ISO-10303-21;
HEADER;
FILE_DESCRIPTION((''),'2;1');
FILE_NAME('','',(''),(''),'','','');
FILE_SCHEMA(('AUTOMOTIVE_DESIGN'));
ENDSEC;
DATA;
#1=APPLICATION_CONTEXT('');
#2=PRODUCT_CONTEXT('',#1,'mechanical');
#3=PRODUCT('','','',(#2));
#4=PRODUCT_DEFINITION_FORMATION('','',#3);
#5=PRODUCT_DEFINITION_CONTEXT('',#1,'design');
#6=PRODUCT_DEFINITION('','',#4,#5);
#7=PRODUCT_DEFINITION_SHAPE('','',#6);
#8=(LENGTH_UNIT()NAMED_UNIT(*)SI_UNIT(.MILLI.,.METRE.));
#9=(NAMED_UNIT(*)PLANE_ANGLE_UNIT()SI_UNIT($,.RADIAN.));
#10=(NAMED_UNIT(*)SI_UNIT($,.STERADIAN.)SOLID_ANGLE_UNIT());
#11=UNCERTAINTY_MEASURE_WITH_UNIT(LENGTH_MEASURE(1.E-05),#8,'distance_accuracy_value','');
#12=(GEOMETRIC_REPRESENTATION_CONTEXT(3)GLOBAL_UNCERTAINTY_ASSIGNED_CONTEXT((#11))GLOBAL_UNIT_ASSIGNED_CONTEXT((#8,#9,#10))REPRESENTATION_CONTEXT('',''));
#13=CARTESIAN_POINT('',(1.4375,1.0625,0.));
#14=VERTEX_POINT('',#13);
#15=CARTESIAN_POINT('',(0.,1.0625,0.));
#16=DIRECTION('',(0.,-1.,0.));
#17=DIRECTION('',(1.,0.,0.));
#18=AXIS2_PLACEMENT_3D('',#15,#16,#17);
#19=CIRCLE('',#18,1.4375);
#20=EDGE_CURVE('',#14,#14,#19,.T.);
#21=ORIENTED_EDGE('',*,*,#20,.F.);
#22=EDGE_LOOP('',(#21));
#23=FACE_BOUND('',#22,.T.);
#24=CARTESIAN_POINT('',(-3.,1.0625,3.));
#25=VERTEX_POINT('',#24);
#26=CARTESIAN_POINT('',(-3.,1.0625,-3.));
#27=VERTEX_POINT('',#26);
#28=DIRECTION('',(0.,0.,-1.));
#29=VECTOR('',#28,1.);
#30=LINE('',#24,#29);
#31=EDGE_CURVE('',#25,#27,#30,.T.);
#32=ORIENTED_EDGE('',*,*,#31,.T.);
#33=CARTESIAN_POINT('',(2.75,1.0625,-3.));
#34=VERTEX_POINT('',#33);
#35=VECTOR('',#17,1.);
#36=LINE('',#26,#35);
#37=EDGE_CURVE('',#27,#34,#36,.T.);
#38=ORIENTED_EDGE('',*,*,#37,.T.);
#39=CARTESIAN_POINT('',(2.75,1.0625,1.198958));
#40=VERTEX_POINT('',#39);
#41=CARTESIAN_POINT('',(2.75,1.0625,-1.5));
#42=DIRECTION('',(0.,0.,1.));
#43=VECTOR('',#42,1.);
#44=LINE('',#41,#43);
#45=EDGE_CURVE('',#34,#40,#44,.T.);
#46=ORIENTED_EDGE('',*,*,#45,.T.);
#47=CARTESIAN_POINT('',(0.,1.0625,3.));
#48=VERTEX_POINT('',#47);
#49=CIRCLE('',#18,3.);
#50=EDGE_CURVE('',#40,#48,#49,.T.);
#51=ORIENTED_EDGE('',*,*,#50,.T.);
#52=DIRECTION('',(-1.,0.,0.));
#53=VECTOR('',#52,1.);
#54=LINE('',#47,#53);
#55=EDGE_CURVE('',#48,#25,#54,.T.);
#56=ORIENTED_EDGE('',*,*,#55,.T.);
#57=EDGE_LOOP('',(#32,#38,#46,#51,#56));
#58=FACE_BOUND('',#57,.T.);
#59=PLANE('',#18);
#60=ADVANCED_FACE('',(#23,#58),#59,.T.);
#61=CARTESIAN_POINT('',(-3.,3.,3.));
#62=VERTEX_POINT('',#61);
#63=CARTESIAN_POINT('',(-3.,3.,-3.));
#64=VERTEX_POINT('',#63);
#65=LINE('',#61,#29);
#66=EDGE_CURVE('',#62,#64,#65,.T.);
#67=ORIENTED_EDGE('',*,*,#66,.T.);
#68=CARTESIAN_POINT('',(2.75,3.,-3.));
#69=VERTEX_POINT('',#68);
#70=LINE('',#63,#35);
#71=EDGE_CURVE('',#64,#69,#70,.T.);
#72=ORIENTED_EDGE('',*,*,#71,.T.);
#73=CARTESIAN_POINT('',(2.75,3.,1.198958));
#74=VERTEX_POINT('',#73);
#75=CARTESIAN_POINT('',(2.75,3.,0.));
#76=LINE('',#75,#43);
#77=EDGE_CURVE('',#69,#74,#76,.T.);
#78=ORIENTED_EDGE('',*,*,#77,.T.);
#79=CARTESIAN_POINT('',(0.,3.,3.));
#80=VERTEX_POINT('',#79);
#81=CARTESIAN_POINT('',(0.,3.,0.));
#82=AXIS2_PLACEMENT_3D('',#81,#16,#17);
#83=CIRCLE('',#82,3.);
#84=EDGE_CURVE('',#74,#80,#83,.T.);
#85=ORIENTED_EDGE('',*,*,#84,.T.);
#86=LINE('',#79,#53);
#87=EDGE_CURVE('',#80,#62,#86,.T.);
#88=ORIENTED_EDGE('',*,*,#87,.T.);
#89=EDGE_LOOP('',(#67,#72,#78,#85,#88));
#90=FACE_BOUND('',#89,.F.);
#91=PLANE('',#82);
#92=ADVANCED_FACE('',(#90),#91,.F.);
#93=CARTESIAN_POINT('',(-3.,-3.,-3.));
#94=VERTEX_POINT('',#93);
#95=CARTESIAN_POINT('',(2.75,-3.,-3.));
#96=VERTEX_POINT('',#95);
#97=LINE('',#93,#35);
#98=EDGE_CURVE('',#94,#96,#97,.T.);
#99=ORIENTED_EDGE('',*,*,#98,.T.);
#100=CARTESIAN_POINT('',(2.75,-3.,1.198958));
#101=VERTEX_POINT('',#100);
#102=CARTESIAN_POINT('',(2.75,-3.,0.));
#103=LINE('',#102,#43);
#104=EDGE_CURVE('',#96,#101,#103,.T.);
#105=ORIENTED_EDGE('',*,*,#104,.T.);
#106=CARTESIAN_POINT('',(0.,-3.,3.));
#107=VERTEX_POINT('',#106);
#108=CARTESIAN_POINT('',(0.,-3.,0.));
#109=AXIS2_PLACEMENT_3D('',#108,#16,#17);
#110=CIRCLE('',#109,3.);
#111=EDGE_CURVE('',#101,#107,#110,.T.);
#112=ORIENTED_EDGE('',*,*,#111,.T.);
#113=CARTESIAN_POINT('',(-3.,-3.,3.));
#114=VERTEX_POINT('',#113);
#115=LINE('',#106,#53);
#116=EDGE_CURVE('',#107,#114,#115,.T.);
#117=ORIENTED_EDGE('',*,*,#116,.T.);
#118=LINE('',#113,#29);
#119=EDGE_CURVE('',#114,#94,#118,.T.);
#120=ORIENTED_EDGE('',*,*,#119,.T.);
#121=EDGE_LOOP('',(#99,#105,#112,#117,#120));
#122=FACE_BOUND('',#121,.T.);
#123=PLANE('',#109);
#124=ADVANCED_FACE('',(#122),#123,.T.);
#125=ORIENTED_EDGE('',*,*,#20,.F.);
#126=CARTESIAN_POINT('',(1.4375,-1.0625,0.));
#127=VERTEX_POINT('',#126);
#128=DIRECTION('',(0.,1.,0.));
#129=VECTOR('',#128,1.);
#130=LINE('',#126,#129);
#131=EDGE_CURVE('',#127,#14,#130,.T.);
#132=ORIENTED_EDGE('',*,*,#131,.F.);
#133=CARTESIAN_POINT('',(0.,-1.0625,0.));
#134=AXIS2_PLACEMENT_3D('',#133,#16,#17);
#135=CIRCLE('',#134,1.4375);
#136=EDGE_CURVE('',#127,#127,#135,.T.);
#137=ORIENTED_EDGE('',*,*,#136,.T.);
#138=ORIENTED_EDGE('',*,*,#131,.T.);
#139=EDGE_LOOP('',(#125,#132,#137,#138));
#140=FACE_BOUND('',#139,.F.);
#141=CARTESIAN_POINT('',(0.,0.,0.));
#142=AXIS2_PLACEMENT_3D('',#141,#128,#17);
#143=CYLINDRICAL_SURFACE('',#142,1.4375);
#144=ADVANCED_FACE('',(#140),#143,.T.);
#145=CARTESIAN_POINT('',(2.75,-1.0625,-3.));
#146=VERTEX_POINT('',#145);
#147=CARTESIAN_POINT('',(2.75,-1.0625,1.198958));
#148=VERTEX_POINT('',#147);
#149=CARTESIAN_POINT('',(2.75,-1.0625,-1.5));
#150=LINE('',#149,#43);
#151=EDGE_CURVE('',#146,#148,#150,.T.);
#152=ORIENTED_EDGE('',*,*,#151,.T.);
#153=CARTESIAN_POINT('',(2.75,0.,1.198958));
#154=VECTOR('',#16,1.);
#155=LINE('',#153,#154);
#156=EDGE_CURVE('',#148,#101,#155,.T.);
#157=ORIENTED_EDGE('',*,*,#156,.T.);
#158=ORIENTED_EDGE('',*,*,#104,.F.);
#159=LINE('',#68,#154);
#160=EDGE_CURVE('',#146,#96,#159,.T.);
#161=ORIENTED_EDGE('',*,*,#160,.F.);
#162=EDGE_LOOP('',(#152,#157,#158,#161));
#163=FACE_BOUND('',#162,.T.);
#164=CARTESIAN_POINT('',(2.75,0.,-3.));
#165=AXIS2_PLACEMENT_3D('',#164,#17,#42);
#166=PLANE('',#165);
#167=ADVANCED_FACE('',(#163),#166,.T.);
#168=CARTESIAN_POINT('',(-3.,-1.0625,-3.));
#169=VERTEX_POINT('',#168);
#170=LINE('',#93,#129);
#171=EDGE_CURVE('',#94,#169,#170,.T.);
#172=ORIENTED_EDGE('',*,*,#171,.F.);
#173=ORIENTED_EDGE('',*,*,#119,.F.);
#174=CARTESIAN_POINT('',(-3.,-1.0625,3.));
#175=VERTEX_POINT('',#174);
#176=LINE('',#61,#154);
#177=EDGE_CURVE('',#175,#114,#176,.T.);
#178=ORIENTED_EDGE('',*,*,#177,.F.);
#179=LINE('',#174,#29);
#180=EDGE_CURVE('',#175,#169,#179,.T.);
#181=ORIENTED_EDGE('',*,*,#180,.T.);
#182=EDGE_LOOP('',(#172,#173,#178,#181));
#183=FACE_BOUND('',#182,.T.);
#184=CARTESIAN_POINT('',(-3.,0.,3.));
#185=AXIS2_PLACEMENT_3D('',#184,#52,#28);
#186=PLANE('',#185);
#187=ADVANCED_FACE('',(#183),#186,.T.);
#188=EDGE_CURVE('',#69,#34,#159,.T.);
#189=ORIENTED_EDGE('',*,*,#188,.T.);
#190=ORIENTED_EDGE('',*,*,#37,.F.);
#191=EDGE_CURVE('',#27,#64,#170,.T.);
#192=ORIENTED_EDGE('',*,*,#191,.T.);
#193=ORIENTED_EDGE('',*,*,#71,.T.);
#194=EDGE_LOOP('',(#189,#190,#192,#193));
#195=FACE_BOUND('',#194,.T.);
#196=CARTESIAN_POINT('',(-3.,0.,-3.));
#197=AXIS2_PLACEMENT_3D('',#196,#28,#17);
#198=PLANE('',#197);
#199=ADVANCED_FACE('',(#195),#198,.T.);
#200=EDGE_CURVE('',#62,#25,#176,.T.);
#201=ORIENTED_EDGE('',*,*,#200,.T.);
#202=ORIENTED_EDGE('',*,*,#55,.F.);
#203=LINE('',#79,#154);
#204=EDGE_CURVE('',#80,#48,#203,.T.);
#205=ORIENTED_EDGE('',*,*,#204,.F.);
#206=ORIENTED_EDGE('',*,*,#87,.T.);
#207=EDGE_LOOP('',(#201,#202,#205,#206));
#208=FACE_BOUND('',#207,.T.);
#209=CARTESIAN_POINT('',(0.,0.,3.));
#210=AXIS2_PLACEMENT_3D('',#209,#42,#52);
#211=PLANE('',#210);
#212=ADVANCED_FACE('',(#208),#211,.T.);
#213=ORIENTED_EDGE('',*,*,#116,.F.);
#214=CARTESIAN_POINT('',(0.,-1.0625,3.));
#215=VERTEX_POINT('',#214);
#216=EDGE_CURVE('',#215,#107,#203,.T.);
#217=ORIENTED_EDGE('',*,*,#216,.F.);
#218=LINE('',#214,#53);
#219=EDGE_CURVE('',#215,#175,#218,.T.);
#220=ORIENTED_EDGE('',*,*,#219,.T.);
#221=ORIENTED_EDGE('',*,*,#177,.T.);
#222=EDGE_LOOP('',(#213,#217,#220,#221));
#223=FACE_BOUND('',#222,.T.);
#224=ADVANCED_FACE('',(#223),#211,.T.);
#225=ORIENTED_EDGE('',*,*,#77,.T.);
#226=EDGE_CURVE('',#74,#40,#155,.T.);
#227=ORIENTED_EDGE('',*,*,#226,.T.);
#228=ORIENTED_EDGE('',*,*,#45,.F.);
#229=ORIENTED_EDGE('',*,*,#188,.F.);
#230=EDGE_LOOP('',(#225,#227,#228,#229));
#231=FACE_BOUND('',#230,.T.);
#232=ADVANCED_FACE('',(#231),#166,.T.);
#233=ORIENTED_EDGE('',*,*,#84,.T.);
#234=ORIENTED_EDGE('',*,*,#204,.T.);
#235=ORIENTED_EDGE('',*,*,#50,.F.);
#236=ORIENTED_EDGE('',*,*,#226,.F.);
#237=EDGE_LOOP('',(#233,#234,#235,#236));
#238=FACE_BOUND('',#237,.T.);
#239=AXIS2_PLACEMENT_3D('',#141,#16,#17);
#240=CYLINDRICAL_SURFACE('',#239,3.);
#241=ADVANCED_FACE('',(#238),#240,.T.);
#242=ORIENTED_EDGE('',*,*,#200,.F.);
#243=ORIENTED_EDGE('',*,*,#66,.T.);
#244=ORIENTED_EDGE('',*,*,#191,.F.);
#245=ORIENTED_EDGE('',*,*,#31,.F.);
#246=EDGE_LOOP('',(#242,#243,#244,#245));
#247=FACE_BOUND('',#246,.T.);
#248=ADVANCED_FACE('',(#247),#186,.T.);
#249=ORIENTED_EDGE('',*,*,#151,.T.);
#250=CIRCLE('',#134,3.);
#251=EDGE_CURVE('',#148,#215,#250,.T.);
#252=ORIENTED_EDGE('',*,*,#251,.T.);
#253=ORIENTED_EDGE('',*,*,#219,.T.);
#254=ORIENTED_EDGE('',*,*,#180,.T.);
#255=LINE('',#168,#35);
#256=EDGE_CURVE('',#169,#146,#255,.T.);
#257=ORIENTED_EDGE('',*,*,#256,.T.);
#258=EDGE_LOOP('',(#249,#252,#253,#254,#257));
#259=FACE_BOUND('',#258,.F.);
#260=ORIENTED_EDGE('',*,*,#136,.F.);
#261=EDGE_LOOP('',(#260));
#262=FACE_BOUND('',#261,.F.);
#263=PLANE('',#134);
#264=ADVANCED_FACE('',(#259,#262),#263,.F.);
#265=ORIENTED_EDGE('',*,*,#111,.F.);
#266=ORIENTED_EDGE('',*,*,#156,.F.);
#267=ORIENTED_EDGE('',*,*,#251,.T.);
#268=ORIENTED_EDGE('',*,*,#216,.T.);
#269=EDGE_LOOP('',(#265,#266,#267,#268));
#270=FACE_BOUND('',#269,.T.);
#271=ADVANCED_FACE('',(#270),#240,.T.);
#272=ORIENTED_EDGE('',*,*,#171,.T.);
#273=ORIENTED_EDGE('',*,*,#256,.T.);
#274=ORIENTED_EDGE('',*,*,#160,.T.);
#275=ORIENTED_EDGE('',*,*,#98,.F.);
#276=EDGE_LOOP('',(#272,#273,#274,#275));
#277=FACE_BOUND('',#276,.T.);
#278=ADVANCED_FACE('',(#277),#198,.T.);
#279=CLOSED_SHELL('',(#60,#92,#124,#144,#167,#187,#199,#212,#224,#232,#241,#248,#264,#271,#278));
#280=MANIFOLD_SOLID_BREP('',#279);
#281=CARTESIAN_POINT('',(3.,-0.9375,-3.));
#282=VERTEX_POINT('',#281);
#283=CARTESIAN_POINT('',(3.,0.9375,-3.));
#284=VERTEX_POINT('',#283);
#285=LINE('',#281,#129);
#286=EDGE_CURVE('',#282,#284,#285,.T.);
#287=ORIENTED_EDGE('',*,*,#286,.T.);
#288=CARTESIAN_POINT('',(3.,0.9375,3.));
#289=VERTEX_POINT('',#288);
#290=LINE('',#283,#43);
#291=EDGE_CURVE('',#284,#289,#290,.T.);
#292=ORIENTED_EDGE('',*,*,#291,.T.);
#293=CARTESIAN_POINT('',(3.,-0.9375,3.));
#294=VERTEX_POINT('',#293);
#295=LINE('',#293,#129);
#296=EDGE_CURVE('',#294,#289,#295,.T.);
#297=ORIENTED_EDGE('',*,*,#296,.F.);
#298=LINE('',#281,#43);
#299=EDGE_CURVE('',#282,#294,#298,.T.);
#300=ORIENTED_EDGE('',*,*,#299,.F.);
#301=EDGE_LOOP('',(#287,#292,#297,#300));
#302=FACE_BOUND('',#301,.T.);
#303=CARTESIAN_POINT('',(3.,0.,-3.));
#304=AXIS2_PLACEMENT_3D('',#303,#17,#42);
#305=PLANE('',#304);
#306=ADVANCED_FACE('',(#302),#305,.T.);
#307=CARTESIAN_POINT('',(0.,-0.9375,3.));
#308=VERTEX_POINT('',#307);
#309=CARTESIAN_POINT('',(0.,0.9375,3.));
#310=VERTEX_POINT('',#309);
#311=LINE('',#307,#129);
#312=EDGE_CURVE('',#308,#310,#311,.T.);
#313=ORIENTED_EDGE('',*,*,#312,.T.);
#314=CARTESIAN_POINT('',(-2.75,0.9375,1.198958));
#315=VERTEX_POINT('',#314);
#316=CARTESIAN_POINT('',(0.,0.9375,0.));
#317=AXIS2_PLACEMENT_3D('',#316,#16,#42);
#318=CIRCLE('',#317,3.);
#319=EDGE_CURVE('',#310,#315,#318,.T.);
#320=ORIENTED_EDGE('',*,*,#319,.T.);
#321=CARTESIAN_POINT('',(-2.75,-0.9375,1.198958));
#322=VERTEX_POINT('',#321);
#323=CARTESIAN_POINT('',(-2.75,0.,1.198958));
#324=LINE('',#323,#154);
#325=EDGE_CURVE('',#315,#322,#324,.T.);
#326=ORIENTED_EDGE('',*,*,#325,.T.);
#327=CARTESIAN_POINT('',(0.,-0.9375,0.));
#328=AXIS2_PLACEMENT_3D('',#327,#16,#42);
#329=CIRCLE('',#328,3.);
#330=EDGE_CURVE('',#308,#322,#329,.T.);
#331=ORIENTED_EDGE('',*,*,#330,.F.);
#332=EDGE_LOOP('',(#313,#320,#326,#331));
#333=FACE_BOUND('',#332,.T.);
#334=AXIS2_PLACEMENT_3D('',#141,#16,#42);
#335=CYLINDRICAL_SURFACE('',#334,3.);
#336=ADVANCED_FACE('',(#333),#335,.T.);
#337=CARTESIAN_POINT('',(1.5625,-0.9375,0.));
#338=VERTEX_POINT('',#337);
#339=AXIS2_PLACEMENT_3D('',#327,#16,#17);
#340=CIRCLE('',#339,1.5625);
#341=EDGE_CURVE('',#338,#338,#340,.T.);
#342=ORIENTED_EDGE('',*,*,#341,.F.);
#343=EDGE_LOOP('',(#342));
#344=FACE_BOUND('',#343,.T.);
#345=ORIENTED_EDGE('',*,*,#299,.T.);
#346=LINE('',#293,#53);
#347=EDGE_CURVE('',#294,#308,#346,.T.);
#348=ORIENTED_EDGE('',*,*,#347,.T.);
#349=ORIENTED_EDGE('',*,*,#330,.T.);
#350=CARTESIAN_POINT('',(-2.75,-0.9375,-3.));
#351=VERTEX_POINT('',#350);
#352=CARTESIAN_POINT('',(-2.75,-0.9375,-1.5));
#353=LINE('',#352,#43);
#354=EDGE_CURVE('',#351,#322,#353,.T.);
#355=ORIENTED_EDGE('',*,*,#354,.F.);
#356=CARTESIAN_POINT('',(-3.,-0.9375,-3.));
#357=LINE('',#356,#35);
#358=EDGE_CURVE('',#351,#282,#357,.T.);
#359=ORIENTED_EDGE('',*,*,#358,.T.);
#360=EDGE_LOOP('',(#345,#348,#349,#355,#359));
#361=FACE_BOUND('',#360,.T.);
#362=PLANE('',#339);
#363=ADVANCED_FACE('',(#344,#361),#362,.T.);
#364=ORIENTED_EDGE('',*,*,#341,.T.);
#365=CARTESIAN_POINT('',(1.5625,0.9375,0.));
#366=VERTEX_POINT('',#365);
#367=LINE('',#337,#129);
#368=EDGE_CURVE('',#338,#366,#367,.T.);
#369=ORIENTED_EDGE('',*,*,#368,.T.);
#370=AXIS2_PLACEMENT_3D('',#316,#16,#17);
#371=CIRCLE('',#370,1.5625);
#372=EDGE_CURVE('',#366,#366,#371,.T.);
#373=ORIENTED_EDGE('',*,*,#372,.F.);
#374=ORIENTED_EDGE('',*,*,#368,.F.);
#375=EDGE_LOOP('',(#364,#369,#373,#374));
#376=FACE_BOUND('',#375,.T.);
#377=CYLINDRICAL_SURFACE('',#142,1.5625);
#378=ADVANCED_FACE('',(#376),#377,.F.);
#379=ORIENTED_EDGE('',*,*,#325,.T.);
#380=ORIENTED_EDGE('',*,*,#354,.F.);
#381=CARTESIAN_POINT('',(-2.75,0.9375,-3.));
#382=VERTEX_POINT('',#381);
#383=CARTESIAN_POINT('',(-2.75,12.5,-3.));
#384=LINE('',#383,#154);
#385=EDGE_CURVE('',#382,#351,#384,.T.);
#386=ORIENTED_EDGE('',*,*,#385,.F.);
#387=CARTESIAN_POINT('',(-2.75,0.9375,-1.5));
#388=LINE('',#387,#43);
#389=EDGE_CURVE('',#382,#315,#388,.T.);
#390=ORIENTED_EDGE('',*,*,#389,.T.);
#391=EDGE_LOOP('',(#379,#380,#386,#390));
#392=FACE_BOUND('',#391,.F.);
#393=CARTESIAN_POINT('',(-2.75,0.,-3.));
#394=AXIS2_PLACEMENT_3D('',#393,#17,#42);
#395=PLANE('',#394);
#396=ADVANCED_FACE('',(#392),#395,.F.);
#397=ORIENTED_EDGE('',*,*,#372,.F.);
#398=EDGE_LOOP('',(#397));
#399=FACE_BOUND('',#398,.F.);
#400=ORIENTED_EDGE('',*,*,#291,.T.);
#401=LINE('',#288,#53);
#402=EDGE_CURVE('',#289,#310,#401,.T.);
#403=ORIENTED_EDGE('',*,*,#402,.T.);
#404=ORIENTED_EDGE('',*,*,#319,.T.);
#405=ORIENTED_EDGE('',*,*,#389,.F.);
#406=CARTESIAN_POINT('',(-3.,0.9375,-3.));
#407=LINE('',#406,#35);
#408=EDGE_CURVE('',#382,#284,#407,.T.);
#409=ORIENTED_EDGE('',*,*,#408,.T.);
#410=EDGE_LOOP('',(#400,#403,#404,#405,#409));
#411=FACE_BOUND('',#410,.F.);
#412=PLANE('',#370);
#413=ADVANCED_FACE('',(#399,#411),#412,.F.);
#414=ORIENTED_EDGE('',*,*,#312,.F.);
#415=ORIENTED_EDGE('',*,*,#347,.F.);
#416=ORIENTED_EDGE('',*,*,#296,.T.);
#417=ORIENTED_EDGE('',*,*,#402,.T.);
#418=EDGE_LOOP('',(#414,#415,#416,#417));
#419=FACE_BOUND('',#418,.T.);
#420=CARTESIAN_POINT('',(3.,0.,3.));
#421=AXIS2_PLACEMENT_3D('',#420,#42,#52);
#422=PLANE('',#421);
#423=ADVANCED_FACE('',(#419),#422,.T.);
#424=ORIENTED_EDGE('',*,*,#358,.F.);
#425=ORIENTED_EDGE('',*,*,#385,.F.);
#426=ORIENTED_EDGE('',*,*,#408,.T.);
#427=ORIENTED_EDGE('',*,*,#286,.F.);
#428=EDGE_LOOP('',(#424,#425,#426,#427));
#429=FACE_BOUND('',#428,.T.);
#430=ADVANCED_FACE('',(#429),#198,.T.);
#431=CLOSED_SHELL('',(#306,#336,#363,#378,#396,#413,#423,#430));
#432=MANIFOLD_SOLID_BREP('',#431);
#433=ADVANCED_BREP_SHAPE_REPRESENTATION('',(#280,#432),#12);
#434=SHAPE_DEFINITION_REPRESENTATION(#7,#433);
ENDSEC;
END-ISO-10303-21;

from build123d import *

# Parameters (mm, degrees)
F2_R     = 1.5625
F2_R_2   = 1.4375
F3_DEPTH = 3
F4_DEPTH = 1.0625
F5_DEPTH = 0.9375
F6_W     = 0.25
F6_H     = 6
F7_DEPTH = 12.5
F8_DEPTH = 3


with BuildPart() as f3:
    # F2 (on Front) → F3 (new body, symmetric)
    with BuildSketch(Plane.XZ):
        with BuildLine():
            ThreePointArc((0, -3), (2.1213203436, -2.1213203436), (3, 0))
            ThreePointArc((3, 0), (2.1213203436, 2.1213203436), (0, 3))
            ThreePointArc((0, 3), (-2.1213203436, 2.1213203436), (-3, 0))
            ThreePointArc((-3, 0), (-2.1213203436, -2.1213203436), (0, -3))
        make_face()
        Circle(F2_R, mode=Mode.SUBTRACT)
        Circle(F2_R)
        Circle(F2_R_2, mode=Mode.SUBTRACT)
        Circle(F2_R_2)
        with BuildLine():
            Line((3, -3), (3, 0))
            ThreePointArc((3, 0), (2.1213203436, -2.1213203436), (0, -3))
            Line((0, -3), (3, -3))
        make_face()
        with BuildLine():
            Line((-3, -3), (0, -3))
            ThreePointArc((0, -3), (-2.1213203436, -2.1213203436), (-3, 0))
            Line((-3, 0), (-3, -3))
        make_face()
        with BuildLine():
            ThreePointArc((-3, 0), (-2.1213203436, 2.1213203436), (0, 3))
            Line((0, 3), (-3, 3))
            Line((-3, 3), (-3, 0))
        make_face()
    extrude(amount=F3_DEPTH, both=True)

    # F2 (on Front) → F4 (cut, symmetric)
    with BuildSketch(Plane.XZ):
        with BuildLine():
            ThreePointArc((0, -3), (2.1213203436, -2.1213203436), (3, 0))
            ThreePointArc((3, 0), (2.1213203436, 2.1213203436), (0, 3))
            ThreePointArc((0, 3), (-2.1213203436, 2.1213203436), (-3, 0))
            ThreePointArc((-3, 0), (-2.1213203436, -2.1213203436), (0, -3))
        make_face()
        Circle(F2_R, mode=Mode.SUBTRACT)
        Circle(F2_R)
        Circle(F2_R_2, mode=Mode.SUBTRACT)
        with BuildLine():
            Line((3, -3), (3, 0))
            ThreePointArc((3, 0), (2.1213203436, -2.1213203436), (0, -3))
            Line((0, -3), (3, -3))
        make_face()
        with BuildLine():
            Line((-3, -3), (0, -3))
            ThreePointArc((0, -3), (-2.1213203436, -2.1213203436), (-3, 0))
            Line((-3, 0), (-3, -3))
        make_face()
        with BuildLine():
            ThreePointArc((-3, 0), (-2.1213203436, 2.1213203436), (0, 3))
            Line((0, 3), (-3, 3))
            Line((-3, 3), (-3, 0))
        make_face()
    extrude(amount=F4_DEPTH, both=True, mode=Mode.SUBTRACT)

    # F6 (on Front) → F8 (cut, symmetric)
    with BuildSketch(Plane.XZ):
        with Locations((2.875, 0)):
            Rectangle(F6_W, F6_H)
    extrude(amount=F8_DEPTH, both=True, mode=Mode.SUBTRACT)


with BuildPart() as f5:
    # F2 (on Front) → F5 (new body, symmetric)
    with BuildSketch(Plane.XZ):
        with BuildLine():
            ThreePointArc((0, -3), (2.1213203436, -2.1213203436), (3, 0))
            ThreePointArc((3, 0), (2.1213203436, 2.1213203436), (0, 3))
            ThreePointArc((0, 3), (-2.1213203436, 2.1213203436), (-3, 0))
            ThreePointArc((-3, 0), (-2.1213203436, -2.1213203436), (0, -3))
        make_face()
        Circle(F2_R, mode=Mode.SUBTRACT)
        with BuildLine():
            Line((-3, -3), (0, -3))
            ThreePointArc((0, -3), (-2.1213203436, -2.1213203436), (-3, 0))
            Line((-3, 0), (-3, -3))
        make_face()
        with BuildLine():
            Line((3, -3), (3, 0))
            ThreePointArc((3, 0), (2.1213203436, -2.1213203436), (0, -3))
            Line((0, -3), (3, -3))
        make_face()
        with BuildLine():
            ThreePointArc((0, 3), (2.1213203436, 2.1213203436), (3, 0))
            Line((3, 0), (3, 3))
            Line((3, 3), (0, 3))
        make_face()
    extrude(amount=F5_DEPTH, both=True)

    # F6 (on Front) → F7 (cut, symmetric)
    with BuildSketch(Plane.XZ):
        with Locations((-2.875, 0)):
            Rectangle(F6_W, F6_H)
    extrude(amount=F7_DEPTH, both=True, mode=Mode.SUBTRACT)


solid = Compound([f3.part, f5.part])
